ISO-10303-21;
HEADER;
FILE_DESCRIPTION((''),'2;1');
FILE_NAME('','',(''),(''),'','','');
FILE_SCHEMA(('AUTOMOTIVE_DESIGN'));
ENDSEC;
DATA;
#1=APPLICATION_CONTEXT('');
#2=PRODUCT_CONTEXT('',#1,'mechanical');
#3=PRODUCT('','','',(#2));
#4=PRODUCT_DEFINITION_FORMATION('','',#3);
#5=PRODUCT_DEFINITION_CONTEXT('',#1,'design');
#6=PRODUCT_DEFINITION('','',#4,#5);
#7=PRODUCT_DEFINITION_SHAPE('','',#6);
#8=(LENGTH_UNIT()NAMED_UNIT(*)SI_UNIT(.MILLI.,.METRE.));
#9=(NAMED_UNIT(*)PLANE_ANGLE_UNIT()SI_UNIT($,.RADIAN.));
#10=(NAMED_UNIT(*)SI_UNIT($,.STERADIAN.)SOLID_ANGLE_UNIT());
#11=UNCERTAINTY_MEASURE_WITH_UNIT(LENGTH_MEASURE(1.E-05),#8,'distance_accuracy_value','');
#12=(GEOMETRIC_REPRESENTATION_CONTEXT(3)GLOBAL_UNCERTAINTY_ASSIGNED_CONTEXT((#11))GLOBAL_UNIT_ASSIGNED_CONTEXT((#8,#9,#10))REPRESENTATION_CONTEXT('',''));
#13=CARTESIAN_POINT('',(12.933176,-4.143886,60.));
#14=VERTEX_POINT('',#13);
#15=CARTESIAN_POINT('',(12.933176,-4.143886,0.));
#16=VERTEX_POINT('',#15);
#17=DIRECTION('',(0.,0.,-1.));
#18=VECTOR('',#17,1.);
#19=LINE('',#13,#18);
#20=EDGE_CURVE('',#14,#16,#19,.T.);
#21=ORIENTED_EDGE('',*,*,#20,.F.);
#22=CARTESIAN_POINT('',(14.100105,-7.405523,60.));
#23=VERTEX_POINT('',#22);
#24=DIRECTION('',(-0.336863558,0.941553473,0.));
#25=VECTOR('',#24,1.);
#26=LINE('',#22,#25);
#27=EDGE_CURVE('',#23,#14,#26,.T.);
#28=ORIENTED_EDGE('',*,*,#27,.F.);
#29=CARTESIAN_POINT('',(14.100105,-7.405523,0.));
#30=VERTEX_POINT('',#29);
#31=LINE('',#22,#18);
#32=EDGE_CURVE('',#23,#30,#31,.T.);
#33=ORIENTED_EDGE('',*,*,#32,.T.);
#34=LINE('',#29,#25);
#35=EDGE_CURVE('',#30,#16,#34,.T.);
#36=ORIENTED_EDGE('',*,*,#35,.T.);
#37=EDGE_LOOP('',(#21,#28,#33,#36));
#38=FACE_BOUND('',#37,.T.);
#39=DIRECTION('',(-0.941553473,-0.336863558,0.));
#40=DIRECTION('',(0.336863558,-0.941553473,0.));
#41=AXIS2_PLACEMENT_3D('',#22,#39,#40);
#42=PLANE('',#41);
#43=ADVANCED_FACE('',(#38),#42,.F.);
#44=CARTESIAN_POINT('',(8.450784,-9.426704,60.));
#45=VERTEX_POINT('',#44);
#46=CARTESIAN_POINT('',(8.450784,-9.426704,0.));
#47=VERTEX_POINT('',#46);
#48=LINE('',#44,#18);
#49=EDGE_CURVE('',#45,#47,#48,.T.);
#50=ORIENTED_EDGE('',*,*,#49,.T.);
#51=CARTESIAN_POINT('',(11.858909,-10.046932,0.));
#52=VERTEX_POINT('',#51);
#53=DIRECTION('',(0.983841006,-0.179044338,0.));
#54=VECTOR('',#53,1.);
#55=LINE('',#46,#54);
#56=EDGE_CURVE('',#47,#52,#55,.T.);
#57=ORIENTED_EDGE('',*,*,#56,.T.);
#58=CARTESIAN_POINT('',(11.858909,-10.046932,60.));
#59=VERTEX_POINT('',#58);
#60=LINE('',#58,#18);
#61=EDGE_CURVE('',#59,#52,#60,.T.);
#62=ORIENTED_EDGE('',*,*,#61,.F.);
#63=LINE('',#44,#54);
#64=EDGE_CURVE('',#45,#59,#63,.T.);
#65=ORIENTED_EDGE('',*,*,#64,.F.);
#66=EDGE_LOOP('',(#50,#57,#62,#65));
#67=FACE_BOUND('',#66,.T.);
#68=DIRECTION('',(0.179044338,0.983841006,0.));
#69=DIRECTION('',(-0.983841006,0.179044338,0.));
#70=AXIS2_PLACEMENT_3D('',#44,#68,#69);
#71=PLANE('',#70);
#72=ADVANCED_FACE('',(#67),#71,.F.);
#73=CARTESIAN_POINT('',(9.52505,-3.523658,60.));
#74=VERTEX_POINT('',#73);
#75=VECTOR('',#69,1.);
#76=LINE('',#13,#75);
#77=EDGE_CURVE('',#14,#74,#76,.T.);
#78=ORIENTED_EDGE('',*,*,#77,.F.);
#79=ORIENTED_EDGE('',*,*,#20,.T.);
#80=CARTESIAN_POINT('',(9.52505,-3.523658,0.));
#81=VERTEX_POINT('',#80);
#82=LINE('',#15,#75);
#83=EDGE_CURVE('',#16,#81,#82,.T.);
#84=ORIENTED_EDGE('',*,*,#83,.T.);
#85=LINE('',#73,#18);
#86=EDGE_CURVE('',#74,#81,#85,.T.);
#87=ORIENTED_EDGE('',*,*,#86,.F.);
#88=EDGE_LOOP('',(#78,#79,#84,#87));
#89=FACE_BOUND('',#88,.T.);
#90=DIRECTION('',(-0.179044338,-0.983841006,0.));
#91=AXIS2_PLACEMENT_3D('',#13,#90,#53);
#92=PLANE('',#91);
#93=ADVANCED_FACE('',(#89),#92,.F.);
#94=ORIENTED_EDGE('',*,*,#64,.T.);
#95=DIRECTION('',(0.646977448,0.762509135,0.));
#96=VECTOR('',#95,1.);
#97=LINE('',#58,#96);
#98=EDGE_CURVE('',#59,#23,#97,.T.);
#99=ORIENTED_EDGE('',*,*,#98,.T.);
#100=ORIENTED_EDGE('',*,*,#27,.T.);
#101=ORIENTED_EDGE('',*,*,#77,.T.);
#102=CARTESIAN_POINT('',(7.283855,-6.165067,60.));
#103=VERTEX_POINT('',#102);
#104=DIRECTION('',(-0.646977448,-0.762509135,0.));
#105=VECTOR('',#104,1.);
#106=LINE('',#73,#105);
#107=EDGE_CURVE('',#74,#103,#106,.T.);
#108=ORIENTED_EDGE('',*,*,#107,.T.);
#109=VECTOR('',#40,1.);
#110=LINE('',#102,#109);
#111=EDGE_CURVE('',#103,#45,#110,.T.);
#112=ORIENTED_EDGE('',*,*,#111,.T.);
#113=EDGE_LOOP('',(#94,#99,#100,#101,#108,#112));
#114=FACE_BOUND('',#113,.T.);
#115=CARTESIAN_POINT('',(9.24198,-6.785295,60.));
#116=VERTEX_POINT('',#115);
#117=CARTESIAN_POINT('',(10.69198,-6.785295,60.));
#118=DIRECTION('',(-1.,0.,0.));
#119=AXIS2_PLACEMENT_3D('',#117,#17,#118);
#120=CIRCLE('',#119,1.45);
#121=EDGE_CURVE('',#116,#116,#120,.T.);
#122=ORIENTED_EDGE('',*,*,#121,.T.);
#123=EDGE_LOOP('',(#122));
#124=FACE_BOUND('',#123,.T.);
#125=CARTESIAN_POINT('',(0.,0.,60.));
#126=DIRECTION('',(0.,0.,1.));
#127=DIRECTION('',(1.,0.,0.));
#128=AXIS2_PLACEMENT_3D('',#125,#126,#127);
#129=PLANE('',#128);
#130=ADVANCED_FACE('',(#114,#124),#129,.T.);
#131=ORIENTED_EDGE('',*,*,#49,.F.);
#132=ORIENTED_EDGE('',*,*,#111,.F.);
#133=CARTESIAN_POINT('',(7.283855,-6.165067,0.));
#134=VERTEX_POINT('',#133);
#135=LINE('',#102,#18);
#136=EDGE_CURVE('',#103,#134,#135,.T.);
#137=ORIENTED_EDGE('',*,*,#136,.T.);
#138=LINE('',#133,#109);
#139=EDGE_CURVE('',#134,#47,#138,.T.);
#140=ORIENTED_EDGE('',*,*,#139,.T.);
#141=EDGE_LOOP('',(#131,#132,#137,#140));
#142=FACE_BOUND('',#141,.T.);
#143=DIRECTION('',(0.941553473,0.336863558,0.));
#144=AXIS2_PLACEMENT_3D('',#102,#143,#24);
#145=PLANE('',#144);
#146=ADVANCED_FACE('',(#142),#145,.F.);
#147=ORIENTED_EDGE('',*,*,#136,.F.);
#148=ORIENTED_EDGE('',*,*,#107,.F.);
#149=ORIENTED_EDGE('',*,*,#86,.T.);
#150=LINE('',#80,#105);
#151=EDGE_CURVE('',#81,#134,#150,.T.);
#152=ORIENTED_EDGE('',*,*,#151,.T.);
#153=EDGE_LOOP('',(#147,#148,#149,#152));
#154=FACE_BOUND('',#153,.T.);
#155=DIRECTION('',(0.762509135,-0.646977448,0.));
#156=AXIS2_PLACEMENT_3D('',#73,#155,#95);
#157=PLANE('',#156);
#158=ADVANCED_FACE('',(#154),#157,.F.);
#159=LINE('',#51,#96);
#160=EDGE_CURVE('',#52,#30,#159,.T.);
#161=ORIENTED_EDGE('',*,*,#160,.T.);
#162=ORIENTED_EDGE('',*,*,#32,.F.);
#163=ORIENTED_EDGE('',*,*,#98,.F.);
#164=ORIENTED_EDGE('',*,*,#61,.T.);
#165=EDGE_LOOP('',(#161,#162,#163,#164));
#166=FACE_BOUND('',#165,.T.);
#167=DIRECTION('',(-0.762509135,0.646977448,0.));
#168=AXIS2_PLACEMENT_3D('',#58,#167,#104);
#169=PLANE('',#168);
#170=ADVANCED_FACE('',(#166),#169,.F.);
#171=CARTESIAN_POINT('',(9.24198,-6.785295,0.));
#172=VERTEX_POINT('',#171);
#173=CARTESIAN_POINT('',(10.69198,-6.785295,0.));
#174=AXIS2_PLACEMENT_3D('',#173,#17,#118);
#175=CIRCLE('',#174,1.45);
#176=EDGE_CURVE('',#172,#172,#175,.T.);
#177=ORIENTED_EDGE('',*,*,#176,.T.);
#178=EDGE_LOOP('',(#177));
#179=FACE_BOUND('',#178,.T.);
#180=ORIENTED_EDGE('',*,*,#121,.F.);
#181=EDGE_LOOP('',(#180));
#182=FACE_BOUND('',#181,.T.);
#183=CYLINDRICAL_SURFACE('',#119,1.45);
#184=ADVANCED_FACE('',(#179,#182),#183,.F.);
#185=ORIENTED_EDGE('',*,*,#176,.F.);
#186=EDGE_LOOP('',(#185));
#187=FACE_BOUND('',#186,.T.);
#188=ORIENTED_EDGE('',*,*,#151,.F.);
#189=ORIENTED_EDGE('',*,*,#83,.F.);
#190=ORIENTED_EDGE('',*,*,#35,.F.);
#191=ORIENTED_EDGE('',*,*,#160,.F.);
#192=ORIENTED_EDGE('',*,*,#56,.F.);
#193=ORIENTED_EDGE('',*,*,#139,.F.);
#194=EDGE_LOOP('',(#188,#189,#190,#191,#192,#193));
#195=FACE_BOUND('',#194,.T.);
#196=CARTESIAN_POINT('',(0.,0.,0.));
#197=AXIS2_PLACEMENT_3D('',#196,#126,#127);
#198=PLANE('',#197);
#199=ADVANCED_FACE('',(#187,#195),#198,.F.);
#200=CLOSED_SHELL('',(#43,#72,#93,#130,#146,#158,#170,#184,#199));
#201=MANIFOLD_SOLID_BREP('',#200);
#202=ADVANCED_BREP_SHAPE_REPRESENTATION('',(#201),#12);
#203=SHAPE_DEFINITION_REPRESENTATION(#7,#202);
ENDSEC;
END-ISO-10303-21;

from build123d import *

# Parameters (mm, degrees)
RESSALTO_EXTRUS_O1_DEPTH = 60
ESBO_O4_R                = 1.45
CORTE_EXTRUS_O2_DEPTH    = 61


with BuildPart() as part:
    # Esboço1 → Ressalto-extrusão1 (new body)
    with BuildSketch(Plane.XY):
        Polygon((12.933175524, -4.143885809), (9.525050306, -3.523658029), (7.283854683, -6.165067156), (8.450784277, -9.426704064), (11.858909495, -10.046931845), (14.100105118, -7.405522718), align=None)
    extrude(amount=RESSALTO_EXTRUS_O1_DEPTH)

    # Esboço4 → Corte-extrusão2 (cut, through all)
    with BuildSketch(Plane(origin=(0, 0, 0), x_dir=(-1, 0, 0), z_dir=(0, 0, -1))):
        with Locations((-10.691979901, -6.785294937)):
            Circle(ESBO_O4_R)
    extrude(amount=-CORTE_EXTRUS_O2_DEPTH, mode=Mode.SUBTRACT)


solid = part.part
